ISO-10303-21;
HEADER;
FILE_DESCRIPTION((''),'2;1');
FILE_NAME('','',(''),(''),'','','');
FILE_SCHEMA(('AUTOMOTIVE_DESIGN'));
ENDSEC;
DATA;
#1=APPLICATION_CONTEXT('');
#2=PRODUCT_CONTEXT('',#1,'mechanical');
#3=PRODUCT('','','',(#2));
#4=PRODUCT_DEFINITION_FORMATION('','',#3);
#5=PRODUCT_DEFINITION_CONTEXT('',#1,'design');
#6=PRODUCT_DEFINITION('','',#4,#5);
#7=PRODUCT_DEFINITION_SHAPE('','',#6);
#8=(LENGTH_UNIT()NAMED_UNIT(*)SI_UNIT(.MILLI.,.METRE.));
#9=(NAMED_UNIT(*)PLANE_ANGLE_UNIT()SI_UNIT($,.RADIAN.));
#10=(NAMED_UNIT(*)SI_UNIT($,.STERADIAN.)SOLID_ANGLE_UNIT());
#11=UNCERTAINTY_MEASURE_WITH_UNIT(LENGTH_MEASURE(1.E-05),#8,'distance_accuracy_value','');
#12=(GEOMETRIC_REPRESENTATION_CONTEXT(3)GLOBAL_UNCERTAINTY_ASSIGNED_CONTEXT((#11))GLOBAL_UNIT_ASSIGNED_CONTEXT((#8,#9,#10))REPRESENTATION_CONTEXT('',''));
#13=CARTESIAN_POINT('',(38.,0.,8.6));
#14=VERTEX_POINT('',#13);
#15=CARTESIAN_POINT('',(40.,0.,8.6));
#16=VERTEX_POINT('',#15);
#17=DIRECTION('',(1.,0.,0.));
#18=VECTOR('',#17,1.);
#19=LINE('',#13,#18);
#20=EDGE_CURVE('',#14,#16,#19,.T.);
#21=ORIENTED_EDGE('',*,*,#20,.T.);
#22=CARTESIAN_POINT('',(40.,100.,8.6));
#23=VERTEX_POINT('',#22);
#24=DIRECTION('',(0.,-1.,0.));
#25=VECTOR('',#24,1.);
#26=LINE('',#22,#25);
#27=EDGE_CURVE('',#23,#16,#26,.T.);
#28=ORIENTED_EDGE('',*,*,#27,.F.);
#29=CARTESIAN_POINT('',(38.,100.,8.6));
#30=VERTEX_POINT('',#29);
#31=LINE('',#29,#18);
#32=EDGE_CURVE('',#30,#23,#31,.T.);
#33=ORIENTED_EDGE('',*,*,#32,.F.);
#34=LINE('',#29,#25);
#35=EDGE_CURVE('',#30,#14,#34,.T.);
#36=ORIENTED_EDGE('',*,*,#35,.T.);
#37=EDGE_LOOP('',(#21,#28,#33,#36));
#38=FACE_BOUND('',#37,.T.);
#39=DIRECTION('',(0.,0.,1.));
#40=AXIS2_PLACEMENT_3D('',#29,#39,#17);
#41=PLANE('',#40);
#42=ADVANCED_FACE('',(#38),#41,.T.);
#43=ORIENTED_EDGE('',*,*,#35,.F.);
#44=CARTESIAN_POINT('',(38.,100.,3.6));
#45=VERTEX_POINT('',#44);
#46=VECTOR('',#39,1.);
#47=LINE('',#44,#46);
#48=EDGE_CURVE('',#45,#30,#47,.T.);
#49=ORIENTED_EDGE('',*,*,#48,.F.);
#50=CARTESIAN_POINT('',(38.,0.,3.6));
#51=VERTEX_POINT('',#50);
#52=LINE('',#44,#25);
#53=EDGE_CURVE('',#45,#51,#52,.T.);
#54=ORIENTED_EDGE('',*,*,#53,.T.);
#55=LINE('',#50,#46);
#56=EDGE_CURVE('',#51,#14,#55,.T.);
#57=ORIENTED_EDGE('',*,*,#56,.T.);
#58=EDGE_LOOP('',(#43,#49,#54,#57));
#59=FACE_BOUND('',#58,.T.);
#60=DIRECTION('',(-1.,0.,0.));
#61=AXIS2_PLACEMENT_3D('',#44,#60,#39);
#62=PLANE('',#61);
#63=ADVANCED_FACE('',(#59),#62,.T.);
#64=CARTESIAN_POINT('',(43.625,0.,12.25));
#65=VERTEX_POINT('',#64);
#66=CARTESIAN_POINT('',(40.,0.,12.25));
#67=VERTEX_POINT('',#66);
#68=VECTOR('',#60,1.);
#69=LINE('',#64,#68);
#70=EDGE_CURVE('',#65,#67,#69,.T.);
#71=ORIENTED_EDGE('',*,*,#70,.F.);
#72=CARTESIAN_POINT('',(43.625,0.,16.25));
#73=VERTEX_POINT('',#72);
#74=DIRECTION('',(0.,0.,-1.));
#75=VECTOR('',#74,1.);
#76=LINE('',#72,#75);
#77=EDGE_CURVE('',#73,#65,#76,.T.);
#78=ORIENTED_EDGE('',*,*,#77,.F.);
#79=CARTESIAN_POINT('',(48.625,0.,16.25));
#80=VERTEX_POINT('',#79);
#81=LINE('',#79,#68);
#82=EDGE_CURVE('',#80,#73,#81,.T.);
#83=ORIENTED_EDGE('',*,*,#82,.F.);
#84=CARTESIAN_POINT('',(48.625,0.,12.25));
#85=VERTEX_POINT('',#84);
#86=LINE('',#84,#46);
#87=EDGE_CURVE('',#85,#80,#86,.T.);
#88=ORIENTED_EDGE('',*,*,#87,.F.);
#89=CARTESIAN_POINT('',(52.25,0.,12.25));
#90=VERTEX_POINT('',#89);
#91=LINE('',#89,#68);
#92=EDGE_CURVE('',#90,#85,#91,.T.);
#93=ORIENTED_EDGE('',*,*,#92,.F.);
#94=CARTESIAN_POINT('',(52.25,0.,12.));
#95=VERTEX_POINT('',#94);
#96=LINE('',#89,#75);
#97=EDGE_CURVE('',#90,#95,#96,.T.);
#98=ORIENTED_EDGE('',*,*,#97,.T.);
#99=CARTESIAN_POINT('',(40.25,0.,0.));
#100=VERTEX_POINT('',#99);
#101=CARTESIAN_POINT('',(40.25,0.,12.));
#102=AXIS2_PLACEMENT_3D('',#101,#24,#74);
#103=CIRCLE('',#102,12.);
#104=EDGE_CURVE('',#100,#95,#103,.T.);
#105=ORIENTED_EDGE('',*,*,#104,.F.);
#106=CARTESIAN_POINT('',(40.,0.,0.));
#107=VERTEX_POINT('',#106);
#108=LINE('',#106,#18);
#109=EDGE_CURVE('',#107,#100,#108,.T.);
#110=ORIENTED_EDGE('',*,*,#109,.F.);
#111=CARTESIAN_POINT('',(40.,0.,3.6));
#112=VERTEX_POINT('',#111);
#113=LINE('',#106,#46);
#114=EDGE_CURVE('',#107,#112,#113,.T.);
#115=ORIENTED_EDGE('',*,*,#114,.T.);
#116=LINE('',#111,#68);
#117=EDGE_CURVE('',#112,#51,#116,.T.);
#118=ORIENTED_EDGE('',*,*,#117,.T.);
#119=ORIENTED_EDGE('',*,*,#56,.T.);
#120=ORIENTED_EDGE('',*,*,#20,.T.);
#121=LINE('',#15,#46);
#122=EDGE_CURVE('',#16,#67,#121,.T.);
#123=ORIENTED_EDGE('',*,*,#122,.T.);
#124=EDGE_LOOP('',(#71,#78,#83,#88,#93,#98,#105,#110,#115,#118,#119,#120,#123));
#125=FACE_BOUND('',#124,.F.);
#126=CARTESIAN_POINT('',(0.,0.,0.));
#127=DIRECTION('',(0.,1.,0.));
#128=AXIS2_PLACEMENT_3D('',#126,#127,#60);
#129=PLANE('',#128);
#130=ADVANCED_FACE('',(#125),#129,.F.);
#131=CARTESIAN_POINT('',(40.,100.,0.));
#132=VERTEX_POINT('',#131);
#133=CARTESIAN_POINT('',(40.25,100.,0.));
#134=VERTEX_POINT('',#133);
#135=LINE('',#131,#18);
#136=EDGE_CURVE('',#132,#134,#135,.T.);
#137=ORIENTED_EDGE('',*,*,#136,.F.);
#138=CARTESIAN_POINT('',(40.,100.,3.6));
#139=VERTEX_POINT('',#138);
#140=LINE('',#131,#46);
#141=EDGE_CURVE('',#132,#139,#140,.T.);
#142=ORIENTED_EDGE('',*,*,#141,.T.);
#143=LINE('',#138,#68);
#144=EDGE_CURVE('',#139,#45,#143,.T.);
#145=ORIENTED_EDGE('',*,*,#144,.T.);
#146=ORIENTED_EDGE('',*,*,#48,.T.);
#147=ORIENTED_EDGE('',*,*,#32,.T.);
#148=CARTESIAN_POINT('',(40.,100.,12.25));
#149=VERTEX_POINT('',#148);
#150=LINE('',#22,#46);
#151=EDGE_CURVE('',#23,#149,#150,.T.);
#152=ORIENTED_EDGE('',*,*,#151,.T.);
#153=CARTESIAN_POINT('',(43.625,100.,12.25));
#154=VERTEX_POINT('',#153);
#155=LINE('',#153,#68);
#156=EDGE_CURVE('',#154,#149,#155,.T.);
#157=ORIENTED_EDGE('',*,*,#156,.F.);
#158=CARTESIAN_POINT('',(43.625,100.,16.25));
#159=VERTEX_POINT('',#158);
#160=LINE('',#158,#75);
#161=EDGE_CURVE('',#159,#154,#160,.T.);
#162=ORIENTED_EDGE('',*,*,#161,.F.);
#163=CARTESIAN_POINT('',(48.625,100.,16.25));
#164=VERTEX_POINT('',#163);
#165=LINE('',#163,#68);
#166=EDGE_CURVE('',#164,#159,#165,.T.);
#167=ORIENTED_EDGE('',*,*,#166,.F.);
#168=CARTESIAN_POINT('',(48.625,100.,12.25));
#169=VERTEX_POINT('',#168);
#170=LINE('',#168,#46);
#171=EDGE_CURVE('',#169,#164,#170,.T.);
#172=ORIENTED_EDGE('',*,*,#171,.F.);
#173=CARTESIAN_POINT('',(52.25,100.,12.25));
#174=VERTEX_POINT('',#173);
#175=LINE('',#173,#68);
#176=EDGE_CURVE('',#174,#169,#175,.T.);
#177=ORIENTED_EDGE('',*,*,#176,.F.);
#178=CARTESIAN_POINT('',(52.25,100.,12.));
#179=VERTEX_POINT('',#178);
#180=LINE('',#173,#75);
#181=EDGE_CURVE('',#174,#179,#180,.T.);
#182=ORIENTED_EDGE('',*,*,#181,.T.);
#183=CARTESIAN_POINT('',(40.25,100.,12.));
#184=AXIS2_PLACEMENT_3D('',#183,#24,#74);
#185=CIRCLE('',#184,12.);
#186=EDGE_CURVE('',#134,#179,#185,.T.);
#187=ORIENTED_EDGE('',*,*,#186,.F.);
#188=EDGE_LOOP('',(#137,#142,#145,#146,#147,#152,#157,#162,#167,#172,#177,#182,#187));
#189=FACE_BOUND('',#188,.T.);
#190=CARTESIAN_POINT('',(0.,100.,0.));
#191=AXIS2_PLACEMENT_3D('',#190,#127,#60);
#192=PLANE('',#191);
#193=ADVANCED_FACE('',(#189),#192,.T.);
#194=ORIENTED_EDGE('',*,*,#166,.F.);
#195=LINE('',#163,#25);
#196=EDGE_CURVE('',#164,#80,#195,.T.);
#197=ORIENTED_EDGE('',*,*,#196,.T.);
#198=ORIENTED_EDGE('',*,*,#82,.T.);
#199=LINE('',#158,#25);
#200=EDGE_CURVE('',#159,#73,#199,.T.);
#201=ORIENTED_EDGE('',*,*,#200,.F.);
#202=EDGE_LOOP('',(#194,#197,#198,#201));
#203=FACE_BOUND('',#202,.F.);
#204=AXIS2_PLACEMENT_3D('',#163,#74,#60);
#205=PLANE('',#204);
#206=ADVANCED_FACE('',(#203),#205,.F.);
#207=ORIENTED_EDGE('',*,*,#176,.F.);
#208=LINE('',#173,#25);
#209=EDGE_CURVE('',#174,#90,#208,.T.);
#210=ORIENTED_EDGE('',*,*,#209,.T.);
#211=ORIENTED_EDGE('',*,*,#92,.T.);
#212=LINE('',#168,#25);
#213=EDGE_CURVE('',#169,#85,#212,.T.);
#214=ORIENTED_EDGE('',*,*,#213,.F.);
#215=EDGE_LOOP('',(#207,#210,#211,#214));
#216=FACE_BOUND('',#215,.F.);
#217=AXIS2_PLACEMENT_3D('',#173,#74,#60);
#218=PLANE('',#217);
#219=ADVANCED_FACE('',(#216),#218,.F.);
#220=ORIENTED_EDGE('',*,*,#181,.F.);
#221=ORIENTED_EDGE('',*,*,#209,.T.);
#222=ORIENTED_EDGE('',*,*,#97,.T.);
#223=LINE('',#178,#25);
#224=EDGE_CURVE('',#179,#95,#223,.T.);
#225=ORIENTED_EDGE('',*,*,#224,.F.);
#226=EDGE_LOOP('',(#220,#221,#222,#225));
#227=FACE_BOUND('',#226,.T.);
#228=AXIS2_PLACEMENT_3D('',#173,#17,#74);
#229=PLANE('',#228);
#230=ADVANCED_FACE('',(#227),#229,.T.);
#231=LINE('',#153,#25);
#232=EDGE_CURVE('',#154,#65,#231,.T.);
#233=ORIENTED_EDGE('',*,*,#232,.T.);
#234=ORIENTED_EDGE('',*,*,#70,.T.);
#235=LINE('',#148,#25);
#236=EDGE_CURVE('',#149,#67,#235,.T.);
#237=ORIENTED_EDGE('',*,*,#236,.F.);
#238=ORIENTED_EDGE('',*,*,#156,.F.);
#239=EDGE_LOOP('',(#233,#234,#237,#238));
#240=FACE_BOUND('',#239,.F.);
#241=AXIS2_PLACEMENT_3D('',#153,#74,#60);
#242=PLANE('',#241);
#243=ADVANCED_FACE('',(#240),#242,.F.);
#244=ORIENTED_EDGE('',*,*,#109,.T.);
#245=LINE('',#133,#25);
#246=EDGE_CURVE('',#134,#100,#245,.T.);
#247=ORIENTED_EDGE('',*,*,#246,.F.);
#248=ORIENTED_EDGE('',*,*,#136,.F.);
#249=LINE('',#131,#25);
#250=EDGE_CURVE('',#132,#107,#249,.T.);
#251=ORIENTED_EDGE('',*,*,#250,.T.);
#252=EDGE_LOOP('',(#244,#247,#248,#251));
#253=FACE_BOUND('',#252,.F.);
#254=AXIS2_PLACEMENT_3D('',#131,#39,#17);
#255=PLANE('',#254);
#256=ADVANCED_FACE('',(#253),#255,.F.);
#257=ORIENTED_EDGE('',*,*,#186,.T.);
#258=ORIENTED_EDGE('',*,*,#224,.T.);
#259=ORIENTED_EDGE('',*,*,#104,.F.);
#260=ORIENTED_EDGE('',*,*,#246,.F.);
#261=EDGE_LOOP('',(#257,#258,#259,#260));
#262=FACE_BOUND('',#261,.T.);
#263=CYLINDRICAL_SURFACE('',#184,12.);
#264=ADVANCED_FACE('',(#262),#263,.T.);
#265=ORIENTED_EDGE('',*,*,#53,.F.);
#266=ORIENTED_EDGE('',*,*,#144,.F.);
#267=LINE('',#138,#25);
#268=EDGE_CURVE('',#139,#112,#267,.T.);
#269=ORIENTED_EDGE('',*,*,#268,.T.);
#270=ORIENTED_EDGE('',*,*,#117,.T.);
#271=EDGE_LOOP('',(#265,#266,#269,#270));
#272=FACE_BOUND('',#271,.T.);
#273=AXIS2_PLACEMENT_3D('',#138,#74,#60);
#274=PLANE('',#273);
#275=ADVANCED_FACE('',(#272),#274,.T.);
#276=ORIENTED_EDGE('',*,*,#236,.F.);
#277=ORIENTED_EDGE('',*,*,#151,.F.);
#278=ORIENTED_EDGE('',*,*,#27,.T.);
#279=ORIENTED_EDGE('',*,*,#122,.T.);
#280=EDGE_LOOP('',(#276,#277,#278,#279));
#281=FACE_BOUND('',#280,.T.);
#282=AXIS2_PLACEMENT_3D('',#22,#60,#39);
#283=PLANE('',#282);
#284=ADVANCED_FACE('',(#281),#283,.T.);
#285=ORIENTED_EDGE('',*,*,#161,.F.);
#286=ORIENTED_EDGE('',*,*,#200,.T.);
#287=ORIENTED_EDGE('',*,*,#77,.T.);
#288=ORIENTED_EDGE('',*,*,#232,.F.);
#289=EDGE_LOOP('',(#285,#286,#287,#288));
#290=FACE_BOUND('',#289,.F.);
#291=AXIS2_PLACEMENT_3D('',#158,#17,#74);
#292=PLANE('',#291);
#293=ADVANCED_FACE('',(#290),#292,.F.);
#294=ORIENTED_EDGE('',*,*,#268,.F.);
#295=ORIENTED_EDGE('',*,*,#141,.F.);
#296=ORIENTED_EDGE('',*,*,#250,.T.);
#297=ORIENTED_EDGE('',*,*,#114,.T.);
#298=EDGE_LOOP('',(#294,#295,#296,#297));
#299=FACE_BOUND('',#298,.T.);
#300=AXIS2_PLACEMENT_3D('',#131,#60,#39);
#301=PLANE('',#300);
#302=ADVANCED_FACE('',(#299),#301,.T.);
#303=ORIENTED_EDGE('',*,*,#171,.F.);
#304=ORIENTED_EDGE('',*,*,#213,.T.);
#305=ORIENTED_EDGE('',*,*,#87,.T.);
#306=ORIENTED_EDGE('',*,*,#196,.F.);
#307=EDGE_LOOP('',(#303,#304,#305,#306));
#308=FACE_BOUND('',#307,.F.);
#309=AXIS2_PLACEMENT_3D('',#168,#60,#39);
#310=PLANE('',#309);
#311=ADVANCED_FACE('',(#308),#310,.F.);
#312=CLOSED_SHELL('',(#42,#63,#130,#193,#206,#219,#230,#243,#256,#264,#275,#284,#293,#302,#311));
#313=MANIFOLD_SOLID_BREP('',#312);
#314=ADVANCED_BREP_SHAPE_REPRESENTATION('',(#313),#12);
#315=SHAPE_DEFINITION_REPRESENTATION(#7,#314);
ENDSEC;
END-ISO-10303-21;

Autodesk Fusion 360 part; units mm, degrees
sketch "Sketch1" plane through (0, 0, 52.25) normal (0, 0, 1) x (-1, 0, 0)
  line L0 (12.25, -100) -> (12.25, 0)
  line L1 (12.25, 0) -> (0, 0)
  line L2 (0, 0) -> (0, -100)
  line L3 (0, -100) -> (12.25, -100)
  line L4 (0, 0) -> (12.25, 0) construction
  line L5 (6.125, 0) -> (8.625, 0) construction
  line L6 (6.125, 0) -> (3.625, 0) construction
  line L7 (3.625, 0) -> (8.625, 0) construction
  line L8 (3.625, 0) -> (8.625, 0)
  line L9 (8.625, 0) -> (8.625, -100)
  line L10 (8.625, -100) -> (3.625, -100)
  line L11 (3.625, -100) -> (3.625, 0)
  dimension "d3" = 5
sketch "Sketch2" plane through (0, 100, 0) normal (0, 1, 0) x (-1, 0, 0)
  line L0 (-4, 8.6) -> (-4, 3.6)
  line L1 (-4, 3.6) -> (8.5, 3.6)
  line L2 (8.5, 3.6) -> (8.5, 10.6)
  line L3 (8.5, 10.6) -> (3.5, 10.6)
  line L4 (3.5, 10.6) -> (3.5, 8.6)
  line L5 (3.5, 8.6) -> (-4, 8.6)
sketch "Sketch3" plane through (0, 100, 0) normal (0, 1, 0) x (-1, 0, 0)
  line L0 (-43.625, 52.25) -> (-43.625, 50.25)
  line L1 (-43.625, 50.25) -> (-48.625, 50.25)
  line L2 (-48.625, 50.25) -> (-48.625, 52.25)
  line L3 (-48.625, 52.25) -> (-52.25, 52.25)
  line L4 (-52.25, 52.25) -> (-52.25, 12.25)
  line L5 (-52.25, 12.25) -> (-48.625, 12.25)
  line L6 (-48.625, 12.25) -> (-48.625, 16.25)
  line L7 (-48.625, 16.25) -> (-43.625, 16.25)
  line L8 (-43.625, 16.25) -> (-43.625, 12.25)
  line L9 (-43.625, 12.25) -> (-40, 12.25)
  line L10 (-40, 12.25) -> (-40, 52.25)
  line L11 (-40, 52.25) -> (-43.625, 52.25)
  line L12 (-40, 0) -> (-56, 0) construction
  line L13 (-52.25, 12.25) -> (-48.625, 12.25)
  line L14 (-48.625, 16.25) -> (-48.625, 12.25)
  line L15 (-43.625, 16.25) -> (-48.625, 16.25)
  line L16 (-43.625, 12.25) -> (-43.625, 16.25)
  line L17 (-40, 12.25) -> (-43.625, 12.25)
  line L18 (-40, 8.6) -> (-40, 12.25)
  line L19 (-38, 8.6) -> (-40, 8.6)
  line L20 (-38, 3.6) -> (-38, 8.6)
  line L21 (-40, 3.6) -> (-38, 3.6)
  line L22 (-40, 0) -> (-40, 3.6)
  line L23 (-40, 0) -> (-52.25, 0)
  line L24 (-52.25, 12.25) -> (-52.25, 0)
extrude "Extrude3" add sketch "Sketch3" against normal blind 100 contours L5 L6 L7 L8 L9 L13 L14 L15 L16 L17 L18 L19 L20 L21 L22 L23 L24
fillet "Fillet1" radius 12 1 edges at (52.25, 50, 0)
